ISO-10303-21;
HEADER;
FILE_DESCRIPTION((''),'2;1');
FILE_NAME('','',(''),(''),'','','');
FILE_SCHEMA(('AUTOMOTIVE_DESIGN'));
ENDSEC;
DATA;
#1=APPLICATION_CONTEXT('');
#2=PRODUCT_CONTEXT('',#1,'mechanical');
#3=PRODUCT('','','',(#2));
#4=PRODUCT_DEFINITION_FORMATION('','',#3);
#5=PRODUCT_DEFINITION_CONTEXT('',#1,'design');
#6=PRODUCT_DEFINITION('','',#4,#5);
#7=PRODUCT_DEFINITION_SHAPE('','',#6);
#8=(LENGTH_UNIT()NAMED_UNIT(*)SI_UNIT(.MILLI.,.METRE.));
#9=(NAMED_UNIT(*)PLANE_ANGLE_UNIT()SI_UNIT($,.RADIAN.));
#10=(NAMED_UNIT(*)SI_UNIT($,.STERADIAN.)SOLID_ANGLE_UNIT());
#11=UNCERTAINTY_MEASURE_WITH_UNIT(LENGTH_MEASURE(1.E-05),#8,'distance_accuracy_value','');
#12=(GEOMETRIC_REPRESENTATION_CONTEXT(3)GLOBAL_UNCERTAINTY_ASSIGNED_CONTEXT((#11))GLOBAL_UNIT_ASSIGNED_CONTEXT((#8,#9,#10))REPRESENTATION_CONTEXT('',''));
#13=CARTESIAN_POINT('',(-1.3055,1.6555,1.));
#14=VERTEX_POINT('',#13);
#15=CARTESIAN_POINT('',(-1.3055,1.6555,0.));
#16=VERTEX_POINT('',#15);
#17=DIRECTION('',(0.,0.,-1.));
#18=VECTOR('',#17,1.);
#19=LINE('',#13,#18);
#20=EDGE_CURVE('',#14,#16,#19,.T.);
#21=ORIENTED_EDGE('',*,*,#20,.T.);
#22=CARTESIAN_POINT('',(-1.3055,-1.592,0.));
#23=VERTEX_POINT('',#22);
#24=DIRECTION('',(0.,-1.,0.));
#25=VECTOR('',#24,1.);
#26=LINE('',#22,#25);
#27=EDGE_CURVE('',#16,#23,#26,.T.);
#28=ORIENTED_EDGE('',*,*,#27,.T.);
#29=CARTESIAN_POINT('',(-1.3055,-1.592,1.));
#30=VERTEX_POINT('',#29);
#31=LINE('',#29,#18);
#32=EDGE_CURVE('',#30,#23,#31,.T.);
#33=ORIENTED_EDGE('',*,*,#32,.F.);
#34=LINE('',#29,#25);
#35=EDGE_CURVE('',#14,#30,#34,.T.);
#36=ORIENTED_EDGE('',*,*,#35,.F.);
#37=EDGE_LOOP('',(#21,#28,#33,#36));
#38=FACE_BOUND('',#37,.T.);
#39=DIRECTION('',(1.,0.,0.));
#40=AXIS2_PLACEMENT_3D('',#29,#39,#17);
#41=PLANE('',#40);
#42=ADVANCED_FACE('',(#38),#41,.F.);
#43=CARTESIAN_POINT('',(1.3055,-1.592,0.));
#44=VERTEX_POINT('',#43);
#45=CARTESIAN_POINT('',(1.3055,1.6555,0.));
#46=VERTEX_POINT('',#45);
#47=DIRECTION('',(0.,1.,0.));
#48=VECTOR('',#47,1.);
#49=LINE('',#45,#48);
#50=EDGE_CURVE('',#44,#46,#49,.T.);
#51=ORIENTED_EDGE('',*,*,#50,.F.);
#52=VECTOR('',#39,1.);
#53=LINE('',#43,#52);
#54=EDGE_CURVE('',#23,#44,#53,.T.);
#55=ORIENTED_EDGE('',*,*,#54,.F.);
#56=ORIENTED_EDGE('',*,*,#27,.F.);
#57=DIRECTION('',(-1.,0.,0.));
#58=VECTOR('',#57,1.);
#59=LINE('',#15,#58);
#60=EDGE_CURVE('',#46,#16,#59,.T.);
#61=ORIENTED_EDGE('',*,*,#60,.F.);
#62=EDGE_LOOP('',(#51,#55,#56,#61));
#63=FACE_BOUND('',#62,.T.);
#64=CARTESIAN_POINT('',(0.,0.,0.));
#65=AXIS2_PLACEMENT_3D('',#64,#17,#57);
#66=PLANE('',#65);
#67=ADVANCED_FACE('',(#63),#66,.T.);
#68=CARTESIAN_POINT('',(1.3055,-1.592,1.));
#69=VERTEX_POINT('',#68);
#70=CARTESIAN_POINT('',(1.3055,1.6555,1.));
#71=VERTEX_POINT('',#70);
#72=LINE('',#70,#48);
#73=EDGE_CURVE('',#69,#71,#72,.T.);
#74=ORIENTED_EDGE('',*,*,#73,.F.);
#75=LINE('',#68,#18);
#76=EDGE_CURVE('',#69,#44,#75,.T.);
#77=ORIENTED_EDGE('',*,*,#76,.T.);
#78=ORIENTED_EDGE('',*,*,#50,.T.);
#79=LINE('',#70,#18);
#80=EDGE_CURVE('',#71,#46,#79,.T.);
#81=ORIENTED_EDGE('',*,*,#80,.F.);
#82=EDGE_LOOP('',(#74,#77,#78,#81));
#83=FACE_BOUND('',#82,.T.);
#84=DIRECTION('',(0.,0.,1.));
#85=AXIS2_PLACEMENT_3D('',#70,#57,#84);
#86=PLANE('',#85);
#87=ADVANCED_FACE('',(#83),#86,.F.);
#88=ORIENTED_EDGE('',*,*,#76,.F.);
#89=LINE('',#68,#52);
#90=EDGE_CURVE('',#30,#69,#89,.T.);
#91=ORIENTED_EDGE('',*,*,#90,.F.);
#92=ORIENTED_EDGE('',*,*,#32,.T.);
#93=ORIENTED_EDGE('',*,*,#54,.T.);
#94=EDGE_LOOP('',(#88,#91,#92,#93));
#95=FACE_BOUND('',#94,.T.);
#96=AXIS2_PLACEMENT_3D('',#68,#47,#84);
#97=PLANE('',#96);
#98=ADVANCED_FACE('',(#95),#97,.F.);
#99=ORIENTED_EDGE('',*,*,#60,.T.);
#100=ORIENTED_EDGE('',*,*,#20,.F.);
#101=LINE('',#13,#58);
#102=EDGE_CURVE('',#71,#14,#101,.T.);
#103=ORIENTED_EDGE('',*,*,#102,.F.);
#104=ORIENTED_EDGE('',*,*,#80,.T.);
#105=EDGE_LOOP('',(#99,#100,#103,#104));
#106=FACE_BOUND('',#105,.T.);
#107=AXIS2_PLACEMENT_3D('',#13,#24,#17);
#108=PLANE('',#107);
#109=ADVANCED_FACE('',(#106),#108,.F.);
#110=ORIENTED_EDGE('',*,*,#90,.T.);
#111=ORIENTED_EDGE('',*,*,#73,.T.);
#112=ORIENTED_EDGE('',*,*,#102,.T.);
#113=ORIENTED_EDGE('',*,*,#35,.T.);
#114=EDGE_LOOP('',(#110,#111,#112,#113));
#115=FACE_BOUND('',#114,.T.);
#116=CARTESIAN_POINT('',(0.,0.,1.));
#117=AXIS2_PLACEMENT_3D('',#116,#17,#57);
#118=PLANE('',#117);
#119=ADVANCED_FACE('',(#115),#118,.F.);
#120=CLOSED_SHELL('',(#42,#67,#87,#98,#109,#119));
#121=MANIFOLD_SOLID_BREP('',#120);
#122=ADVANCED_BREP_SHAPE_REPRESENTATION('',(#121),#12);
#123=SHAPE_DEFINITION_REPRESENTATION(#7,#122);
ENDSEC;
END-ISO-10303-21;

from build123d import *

# Parameters (mm, degrees)
SKETCH1_W               = 2.611
SKETCH1_H               = 3.2475
COMPONENT_OUTLINE_DEPTH = 1


with BuildPart() as part:
    # Sketch1 → Component_Outline (new body)
    with BuildSketch(Plane.XY):
        with Locations((0, 0.03175)):
            Rectangle(SKETCH1_W, SKETCH1_H)
    extrude(amount=COMPONENT_OUTLINE_DEPTH)


solid = part.part
